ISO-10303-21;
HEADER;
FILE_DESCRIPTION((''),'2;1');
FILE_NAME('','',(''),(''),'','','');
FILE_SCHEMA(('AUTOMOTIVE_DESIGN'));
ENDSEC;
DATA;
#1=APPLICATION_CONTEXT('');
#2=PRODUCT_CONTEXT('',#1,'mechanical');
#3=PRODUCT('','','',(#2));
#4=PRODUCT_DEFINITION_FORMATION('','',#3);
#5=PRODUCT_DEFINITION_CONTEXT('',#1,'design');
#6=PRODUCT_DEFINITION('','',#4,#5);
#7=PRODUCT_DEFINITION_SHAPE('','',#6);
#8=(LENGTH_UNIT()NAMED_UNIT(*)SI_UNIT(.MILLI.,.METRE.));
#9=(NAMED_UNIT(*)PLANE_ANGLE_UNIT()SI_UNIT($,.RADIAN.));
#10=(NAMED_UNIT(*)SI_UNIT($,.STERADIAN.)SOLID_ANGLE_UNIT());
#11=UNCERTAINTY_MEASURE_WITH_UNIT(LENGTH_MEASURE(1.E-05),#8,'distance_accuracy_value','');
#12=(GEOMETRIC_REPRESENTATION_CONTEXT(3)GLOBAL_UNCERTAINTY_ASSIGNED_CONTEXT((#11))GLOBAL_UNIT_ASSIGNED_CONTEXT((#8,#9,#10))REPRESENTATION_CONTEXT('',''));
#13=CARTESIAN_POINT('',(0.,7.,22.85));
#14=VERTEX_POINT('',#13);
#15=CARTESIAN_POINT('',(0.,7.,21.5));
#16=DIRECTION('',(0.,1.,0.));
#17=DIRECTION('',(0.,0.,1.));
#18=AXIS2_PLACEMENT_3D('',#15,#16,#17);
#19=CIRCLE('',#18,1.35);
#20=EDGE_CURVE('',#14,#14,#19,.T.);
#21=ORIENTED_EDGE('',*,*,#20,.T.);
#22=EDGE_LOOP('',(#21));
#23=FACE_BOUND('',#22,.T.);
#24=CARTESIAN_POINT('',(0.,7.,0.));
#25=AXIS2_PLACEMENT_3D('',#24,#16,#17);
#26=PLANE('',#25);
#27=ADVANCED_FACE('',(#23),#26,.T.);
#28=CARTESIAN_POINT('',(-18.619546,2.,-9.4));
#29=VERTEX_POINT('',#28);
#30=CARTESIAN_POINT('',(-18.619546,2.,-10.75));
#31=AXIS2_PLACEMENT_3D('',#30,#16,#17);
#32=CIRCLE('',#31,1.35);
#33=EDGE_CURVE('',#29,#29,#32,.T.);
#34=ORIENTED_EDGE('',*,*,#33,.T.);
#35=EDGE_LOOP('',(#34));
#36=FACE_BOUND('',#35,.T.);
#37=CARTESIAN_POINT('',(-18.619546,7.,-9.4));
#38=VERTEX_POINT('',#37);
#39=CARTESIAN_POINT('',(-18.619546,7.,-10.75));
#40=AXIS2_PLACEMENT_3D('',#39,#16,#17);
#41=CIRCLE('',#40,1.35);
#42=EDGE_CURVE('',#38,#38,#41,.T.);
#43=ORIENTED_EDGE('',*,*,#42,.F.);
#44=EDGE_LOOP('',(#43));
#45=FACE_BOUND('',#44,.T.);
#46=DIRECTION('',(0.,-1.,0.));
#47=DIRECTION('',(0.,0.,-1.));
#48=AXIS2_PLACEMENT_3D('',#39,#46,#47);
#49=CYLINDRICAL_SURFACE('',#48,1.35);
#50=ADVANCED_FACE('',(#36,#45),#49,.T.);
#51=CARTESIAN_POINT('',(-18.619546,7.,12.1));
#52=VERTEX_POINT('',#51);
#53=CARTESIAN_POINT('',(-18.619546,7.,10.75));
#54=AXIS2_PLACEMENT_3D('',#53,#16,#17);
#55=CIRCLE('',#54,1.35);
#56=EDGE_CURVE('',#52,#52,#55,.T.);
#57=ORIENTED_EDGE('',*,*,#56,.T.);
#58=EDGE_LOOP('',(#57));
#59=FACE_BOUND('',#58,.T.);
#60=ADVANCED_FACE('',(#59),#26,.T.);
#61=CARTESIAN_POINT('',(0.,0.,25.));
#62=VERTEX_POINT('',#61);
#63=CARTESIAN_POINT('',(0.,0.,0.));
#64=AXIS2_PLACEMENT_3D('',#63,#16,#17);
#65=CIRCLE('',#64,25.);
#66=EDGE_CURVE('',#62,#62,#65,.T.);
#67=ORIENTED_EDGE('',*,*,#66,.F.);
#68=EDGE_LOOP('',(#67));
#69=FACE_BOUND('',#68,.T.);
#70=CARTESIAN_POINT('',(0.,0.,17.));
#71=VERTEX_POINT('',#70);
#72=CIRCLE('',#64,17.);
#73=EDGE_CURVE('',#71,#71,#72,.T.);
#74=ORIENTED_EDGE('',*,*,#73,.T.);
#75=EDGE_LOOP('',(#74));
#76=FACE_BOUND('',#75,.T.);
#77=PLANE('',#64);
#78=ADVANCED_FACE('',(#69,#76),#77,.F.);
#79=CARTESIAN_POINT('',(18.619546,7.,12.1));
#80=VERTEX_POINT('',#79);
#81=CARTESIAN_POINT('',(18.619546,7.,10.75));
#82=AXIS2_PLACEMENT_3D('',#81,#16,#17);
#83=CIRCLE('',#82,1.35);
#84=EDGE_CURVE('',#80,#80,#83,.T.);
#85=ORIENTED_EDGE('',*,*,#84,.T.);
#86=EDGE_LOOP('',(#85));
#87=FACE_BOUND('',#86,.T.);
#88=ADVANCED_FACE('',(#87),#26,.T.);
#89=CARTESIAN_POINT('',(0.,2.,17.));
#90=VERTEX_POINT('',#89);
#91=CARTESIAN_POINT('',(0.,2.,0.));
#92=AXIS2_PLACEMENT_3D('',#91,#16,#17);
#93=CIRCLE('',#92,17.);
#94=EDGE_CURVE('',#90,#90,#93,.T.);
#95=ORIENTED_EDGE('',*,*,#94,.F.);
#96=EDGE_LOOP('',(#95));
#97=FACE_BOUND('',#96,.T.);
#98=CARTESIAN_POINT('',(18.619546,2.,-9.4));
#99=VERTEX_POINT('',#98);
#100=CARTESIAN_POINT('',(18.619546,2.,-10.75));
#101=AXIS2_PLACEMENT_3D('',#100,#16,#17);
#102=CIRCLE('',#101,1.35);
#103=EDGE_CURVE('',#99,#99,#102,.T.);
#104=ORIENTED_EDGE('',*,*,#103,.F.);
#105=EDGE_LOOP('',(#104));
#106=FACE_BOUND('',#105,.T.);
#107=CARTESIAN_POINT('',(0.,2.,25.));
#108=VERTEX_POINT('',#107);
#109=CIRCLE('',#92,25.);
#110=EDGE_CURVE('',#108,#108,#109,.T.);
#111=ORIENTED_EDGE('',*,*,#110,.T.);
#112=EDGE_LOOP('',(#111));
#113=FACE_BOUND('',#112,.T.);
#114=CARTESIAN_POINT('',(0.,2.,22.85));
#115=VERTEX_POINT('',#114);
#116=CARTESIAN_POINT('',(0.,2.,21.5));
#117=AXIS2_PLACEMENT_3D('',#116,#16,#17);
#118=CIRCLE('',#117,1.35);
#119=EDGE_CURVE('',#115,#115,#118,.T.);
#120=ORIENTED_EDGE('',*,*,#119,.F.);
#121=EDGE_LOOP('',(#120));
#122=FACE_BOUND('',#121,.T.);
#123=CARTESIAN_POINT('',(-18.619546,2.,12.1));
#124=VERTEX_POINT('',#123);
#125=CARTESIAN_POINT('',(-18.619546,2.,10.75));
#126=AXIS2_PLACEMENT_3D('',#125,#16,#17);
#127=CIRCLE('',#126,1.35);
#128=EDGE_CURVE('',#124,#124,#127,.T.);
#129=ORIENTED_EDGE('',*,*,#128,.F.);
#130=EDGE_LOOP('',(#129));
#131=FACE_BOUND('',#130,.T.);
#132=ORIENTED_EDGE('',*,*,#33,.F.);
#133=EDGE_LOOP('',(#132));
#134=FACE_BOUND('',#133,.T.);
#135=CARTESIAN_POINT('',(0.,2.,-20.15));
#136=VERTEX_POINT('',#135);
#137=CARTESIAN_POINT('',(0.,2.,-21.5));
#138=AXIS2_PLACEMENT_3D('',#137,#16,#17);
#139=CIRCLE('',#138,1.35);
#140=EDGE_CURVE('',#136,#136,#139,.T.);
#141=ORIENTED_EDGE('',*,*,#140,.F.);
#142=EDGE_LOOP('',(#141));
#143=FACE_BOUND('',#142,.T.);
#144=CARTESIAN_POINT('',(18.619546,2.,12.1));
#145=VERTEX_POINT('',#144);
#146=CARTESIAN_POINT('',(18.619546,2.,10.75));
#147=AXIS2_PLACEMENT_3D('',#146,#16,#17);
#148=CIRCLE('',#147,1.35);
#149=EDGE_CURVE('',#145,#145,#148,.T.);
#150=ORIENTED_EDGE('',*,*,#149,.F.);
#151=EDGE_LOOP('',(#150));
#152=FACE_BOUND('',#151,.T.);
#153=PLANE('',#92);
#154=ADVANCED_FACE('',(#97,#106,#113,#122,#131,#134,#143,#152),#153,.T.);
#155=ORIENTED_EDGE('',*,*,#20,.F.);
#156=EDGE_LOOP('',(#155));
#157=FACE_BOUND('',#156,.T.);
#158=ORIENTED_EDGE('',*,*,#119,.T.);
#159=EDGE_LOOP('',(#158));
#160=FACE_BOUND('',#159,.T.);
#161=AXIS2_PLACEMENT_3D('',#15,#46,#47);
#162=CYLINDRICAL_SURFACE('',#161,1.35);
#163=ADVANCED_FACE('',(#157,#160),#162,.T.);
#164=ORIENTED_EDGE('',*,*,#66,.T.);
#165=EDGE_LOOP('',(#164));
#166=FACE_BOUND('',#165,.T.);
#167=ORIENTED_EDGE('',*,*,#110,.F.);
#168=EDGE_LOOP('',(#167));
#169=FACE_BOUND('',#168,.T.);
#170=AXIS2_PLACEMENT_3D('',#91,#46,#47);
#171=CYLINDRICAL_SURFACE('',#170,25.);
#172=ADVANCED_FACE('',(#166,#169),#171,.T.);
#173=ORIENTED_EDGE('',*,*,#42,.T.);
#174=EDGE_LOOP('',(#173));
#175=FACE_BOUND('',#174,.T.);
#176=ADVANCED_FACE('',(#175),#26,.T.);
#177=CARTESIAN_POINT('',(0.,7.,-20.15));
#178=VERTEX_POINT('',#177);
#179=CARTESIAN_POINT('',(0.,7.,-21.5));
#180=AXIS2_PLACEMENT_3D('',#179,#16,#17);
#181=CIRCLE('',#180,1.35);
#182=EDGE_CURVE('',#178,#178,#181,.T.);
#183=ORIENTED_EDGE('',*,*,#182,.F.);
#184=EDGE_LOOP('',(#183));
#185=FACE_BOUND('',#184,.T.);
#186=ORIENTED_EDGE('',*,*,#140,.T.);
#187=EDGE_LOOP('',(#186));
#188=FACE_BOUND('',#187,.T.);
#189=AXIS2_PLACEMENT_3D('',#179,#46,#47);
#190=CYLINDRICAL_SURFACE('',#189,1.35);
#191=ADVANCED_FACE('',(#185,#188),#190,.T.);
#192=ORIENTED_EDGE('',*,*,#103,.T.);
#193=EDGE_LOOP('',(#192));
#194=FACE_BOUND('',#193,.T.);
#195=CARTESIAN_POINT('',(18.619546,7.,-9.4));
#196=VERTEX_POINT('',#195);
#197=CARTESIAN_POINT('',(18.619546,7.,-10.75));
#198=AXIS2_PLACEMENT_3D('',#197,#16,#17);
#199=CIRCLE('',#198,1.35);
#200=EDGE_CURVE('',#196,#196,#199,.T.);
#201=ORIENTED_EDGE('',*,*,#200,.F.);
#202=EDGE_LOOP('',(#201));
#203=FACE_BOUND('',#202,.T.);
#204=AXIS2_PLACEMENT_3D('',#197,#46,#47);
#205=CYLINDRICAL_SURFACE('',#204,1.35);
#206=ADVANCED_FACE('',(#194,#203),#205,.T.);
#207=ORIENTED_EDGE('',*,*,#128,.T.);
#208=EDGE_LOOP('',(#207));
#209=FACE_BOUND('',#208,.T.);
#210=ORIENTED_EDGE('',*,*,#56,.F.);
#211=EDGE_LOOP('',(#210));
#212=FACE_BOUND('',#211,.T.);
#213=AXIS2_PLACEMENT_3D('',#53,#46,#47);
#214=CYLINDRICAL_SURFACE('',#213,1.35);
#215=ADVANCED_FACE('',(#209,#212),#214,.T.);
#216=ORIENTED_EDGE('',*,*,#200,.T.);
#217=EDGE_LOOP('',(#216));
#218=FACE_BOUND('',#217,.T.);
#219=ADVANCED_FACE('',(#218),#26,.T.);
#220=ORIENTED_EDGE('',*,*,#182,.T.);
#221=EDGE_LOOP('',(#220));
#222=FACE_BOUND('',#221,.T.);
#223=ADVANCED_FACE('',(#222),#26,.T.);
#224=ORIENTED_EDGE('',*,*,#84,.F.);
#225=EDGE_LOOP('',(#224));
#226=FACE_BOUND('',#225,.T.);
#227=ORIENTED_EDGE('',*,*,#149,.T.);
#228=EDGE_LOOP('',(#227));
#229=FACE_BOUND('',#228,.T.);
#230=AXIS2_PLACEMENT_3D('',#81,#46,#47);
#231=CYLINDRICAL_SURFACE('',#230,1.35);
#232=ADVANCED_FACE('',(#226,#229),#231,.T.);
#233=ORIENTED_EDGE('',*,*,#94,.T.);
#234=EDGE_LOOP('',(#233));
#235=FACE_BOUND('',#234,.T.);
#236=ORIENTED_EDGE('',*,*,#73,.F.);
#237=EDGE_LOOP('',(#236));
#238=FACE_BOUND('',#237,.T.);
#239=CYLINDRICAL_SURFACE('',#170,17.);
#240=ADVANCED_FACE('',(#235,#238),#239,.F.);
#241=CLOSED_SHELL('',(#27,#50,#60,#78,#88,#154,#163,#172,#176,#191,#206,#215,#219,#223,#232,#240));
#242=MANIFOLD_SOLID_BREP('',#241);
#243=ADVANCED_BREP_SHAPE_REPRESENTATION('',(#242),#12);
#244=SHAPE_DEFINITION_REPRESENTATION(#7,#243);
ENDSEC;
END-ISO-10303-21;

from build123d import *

# Parameters (mm, degrees)
SKETCH1_R           = 25
SKETCH1_R_2         = 1.35
SKETCH1_R_3         = 17
BOSS_EXTRUDE1_DEPTH = 2
SKETCH1_3_R         = 1.35
BOSS_EXTRUDE2_DEPTH = 7


with BuildPart() as part:
    # Sketch1 → Boss-Extrude1 (new body)
    with BuildSketch(Plane(origin=(0, 0, 0), x_dir=(1, 0, 0), z_dir=(0, 1, 0))):
        Circle(SKETCH1_R)
        with Locations((0, 21.5)):
            Circle(SKETCH1_R_2, mode=Mode.SUBTRACT)
        with Locations((18.619546181, 10.75)):
            Circle(SKETCH1_R_2, mode=Mode.SUBTRACT)
        with Locations((18.619546181, -10.75)):
            Circle(SKETCH1_R_2, mode=Mode.SUBTRACT)
        with Locations((0, -21.5)):
            Circle(SKETCH1_R_2, mode=Mode.SUBTRACT)
        with Locations((-18.619546181, -10.75)):
            Circle(SKETCH1_R_2, mode=Mode.SUBTRACT)
        with Locations((-18.619546181, 10.75)):
            Circle(SKETCH1_R_2, mode=Mode.SUBTRACT)
        Circle(SKETCH1_R_3, mode=Mode.SUBTRACT)
    extrude(amount=BOSS_EXTRUDE1_DEPTH)

    # Sketch1<3> → Boss-Extrude2 (add)
    with BuildSketch(Plane(origin=(0, 0, 0), x_dir=(1, 0, 0), z_dir=(0, 1, 0))):
        with Locations((0, 21.5)):
            Circle(SKETCH1_3_R)
        with Locations((18.619546181, 10.75)):
            Circle(SKETCH1_3_R)
        with Locations((18.619546181, -10.75)):
            Circle(SKETCH1_3_R)
        with Locations((0, -21.5)):
            Circle(SKETCH1_3_R)
        with Locations((-18.619546181, -10.75)):
            Circle(SKETCH1_3_R)
        with Locations((-18.619546181, 10.75)):
            Circle(SKETCH1_3_R)
    extrude(amount=BOSS_EXTRUDE2_DEPTH)


solid = part.part
